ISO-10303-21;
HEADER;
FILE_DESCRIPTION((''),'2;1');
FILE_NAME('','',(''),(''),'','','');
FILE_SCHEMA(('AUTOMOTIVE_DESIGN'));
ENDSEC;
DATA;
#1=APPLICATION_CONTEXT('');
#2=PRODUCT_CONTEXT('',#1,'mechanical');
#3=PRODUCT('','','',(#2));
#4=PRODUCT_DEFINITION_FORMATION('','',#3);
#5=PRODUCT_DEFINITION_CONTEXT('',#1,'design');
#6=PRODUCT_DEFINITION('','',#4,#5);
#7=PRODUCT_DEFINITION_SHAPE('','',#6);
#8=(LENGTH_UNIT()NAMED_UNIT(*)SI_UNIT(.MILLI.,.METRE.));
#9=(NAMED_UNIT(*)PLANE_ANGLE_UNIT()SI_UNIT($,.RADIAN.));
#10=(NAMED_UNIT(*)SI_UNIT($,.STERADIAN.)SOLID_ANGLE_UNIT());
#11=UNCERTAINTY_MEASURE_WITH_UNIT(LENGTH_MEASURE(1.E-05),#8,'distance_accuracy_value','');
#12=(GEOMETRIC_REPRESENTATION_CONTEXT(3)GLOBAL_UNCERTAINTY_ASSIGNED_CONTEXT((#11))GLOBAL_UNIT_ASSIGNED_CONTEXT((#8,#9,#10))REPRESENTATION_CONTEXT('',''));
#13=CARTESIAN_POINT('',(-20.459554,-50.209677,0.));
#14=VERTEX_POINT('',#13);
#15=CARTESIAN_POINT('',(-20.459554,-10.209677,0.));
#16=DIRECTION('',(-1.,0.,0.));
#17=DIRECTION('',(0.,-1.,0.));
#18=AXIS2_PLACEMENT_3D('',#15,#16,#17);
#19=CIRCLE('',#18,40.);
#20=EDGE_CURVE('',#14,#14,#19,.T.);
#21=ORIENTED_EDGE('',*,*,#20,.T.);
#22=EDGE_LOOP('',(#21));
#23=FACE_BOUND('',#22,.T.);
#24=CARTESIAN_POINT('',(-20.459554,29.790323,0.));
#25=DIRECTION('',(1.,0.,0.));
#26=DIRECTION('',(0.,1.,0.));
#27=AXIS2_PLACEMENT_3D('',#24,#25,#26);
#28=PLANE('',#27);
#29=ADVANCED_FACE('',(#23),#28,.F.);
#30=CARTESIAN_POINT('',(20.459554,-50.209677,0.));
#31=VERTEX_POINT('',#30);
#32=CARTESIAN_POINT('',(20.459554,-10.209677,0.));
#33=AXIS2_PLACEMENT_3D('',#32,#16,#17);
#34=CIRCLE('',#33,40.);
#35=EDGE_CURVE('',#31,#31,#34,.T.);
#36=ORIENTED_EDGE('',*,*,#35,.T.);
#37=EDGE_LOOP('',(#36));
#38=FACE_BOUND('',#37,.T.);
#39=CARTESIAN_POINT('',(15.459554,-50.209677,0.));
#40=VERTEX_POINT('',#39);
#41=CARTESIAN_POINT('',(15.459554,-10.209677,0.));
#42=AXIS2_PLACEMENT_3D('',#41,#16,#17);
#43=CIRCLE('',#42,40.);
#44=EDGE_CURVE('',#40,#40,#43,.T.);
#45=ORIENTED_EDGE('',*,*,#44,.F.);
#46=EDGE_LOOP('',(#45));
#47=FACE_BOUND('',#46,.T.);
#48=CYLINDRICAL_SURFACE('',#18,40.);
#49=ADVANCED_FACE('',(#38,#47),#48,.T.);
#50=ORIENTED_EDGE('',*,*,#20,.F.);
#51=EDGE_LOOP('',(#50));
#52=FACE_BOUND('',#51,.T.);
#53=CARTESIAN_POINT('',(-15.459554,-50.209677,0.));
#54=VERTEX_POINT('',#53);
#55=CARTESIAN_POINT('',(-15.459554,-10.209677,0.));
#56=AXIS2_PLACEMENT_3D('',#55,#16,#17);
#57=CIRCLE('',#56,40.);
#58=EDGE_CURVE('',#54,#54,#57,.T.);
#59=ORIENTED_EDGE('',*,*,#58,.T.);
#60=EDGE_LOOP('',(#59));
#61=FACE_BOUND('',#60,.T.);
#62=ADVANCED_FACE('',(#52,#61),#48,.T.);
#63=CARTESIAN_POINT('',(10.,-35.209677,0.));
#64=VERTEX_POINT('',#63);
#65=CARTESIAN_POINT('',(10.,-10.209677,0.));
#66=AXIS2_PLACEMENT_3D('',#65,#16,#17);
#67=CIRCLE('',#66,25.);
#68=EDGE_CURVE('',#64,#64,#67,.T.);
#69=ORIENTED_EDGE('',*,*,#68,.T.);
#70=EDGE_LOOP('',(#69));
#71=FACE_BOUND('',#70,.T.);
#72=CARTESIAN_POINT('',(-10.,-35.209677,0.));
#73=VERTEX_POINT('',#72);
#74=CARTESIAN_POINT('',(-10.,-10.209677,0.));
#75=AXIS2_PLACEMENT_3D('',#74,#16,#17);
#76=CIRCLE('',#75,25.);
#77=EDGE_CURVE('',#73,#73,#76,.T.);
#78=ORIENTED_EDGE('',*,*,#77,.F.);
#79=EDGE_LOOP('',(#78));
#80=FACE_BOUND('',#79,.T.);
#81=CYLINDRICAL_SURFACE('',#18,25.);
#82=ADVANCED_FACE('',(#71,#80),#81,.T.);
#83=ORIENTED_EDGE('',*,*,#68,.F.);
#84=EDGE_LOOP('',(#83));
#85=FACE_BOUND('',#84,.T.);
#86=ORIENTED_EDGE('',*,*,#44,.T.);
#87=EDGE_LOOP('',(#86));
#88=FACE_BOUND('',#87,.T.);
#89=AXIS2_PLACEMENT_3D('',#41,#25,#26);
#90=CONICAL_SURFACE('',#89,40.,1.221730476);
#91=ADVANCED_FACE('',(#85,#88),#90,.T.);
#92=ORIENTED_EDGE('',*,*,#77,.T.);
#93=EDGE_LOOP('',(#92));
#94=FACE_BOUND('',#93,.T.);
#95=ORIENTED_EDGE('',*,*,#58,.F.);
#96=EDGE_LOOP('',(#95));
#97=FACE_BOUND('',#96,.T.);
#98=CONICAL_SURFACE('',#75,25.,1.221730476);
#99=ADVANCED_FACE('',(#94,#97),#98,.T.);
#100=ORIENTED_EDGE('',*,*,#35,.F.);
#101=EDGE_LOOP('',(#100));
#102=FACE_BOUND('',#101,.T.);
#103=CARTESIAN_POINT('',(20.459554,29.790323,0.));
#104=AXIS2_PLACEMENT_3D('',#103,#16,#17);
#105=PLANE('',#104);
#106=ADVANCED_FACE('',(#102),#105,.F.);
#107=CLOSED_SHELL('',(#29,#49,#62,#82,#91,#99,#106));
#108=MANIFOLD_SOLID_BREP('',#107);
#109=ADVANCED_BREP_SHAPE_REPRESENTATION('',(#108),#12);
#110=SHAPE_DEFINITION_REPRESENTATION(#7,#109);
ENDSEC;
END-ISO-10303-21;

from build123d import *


with BuildPart() as part:
    # Sketch1 → Revolve1 (revolve)
    with BuildSketch(Plane.XY, mode=Mode.PRIVATE) as revolve1_sk:
        Polygon((-20.459553514, 29.790322713), (-15.459553514, 29.790322713), (-10, 14.790322713), (10, 14.790322713), (15.459553514, 29.790322713), (20.459553514, 29.790322713), (20.459553514, -10.209677287), (-20.459553514, -10.209677287), align=None)
    revolve(revolve1_sk.sketch.rotate(Axis((-20.459553514, -10.209677287, 0), (1, 0, 0)), 180), axis=Axis((-20.459553514, -10.209677287, 0), (1, 0, 0)))


solid = part.part
